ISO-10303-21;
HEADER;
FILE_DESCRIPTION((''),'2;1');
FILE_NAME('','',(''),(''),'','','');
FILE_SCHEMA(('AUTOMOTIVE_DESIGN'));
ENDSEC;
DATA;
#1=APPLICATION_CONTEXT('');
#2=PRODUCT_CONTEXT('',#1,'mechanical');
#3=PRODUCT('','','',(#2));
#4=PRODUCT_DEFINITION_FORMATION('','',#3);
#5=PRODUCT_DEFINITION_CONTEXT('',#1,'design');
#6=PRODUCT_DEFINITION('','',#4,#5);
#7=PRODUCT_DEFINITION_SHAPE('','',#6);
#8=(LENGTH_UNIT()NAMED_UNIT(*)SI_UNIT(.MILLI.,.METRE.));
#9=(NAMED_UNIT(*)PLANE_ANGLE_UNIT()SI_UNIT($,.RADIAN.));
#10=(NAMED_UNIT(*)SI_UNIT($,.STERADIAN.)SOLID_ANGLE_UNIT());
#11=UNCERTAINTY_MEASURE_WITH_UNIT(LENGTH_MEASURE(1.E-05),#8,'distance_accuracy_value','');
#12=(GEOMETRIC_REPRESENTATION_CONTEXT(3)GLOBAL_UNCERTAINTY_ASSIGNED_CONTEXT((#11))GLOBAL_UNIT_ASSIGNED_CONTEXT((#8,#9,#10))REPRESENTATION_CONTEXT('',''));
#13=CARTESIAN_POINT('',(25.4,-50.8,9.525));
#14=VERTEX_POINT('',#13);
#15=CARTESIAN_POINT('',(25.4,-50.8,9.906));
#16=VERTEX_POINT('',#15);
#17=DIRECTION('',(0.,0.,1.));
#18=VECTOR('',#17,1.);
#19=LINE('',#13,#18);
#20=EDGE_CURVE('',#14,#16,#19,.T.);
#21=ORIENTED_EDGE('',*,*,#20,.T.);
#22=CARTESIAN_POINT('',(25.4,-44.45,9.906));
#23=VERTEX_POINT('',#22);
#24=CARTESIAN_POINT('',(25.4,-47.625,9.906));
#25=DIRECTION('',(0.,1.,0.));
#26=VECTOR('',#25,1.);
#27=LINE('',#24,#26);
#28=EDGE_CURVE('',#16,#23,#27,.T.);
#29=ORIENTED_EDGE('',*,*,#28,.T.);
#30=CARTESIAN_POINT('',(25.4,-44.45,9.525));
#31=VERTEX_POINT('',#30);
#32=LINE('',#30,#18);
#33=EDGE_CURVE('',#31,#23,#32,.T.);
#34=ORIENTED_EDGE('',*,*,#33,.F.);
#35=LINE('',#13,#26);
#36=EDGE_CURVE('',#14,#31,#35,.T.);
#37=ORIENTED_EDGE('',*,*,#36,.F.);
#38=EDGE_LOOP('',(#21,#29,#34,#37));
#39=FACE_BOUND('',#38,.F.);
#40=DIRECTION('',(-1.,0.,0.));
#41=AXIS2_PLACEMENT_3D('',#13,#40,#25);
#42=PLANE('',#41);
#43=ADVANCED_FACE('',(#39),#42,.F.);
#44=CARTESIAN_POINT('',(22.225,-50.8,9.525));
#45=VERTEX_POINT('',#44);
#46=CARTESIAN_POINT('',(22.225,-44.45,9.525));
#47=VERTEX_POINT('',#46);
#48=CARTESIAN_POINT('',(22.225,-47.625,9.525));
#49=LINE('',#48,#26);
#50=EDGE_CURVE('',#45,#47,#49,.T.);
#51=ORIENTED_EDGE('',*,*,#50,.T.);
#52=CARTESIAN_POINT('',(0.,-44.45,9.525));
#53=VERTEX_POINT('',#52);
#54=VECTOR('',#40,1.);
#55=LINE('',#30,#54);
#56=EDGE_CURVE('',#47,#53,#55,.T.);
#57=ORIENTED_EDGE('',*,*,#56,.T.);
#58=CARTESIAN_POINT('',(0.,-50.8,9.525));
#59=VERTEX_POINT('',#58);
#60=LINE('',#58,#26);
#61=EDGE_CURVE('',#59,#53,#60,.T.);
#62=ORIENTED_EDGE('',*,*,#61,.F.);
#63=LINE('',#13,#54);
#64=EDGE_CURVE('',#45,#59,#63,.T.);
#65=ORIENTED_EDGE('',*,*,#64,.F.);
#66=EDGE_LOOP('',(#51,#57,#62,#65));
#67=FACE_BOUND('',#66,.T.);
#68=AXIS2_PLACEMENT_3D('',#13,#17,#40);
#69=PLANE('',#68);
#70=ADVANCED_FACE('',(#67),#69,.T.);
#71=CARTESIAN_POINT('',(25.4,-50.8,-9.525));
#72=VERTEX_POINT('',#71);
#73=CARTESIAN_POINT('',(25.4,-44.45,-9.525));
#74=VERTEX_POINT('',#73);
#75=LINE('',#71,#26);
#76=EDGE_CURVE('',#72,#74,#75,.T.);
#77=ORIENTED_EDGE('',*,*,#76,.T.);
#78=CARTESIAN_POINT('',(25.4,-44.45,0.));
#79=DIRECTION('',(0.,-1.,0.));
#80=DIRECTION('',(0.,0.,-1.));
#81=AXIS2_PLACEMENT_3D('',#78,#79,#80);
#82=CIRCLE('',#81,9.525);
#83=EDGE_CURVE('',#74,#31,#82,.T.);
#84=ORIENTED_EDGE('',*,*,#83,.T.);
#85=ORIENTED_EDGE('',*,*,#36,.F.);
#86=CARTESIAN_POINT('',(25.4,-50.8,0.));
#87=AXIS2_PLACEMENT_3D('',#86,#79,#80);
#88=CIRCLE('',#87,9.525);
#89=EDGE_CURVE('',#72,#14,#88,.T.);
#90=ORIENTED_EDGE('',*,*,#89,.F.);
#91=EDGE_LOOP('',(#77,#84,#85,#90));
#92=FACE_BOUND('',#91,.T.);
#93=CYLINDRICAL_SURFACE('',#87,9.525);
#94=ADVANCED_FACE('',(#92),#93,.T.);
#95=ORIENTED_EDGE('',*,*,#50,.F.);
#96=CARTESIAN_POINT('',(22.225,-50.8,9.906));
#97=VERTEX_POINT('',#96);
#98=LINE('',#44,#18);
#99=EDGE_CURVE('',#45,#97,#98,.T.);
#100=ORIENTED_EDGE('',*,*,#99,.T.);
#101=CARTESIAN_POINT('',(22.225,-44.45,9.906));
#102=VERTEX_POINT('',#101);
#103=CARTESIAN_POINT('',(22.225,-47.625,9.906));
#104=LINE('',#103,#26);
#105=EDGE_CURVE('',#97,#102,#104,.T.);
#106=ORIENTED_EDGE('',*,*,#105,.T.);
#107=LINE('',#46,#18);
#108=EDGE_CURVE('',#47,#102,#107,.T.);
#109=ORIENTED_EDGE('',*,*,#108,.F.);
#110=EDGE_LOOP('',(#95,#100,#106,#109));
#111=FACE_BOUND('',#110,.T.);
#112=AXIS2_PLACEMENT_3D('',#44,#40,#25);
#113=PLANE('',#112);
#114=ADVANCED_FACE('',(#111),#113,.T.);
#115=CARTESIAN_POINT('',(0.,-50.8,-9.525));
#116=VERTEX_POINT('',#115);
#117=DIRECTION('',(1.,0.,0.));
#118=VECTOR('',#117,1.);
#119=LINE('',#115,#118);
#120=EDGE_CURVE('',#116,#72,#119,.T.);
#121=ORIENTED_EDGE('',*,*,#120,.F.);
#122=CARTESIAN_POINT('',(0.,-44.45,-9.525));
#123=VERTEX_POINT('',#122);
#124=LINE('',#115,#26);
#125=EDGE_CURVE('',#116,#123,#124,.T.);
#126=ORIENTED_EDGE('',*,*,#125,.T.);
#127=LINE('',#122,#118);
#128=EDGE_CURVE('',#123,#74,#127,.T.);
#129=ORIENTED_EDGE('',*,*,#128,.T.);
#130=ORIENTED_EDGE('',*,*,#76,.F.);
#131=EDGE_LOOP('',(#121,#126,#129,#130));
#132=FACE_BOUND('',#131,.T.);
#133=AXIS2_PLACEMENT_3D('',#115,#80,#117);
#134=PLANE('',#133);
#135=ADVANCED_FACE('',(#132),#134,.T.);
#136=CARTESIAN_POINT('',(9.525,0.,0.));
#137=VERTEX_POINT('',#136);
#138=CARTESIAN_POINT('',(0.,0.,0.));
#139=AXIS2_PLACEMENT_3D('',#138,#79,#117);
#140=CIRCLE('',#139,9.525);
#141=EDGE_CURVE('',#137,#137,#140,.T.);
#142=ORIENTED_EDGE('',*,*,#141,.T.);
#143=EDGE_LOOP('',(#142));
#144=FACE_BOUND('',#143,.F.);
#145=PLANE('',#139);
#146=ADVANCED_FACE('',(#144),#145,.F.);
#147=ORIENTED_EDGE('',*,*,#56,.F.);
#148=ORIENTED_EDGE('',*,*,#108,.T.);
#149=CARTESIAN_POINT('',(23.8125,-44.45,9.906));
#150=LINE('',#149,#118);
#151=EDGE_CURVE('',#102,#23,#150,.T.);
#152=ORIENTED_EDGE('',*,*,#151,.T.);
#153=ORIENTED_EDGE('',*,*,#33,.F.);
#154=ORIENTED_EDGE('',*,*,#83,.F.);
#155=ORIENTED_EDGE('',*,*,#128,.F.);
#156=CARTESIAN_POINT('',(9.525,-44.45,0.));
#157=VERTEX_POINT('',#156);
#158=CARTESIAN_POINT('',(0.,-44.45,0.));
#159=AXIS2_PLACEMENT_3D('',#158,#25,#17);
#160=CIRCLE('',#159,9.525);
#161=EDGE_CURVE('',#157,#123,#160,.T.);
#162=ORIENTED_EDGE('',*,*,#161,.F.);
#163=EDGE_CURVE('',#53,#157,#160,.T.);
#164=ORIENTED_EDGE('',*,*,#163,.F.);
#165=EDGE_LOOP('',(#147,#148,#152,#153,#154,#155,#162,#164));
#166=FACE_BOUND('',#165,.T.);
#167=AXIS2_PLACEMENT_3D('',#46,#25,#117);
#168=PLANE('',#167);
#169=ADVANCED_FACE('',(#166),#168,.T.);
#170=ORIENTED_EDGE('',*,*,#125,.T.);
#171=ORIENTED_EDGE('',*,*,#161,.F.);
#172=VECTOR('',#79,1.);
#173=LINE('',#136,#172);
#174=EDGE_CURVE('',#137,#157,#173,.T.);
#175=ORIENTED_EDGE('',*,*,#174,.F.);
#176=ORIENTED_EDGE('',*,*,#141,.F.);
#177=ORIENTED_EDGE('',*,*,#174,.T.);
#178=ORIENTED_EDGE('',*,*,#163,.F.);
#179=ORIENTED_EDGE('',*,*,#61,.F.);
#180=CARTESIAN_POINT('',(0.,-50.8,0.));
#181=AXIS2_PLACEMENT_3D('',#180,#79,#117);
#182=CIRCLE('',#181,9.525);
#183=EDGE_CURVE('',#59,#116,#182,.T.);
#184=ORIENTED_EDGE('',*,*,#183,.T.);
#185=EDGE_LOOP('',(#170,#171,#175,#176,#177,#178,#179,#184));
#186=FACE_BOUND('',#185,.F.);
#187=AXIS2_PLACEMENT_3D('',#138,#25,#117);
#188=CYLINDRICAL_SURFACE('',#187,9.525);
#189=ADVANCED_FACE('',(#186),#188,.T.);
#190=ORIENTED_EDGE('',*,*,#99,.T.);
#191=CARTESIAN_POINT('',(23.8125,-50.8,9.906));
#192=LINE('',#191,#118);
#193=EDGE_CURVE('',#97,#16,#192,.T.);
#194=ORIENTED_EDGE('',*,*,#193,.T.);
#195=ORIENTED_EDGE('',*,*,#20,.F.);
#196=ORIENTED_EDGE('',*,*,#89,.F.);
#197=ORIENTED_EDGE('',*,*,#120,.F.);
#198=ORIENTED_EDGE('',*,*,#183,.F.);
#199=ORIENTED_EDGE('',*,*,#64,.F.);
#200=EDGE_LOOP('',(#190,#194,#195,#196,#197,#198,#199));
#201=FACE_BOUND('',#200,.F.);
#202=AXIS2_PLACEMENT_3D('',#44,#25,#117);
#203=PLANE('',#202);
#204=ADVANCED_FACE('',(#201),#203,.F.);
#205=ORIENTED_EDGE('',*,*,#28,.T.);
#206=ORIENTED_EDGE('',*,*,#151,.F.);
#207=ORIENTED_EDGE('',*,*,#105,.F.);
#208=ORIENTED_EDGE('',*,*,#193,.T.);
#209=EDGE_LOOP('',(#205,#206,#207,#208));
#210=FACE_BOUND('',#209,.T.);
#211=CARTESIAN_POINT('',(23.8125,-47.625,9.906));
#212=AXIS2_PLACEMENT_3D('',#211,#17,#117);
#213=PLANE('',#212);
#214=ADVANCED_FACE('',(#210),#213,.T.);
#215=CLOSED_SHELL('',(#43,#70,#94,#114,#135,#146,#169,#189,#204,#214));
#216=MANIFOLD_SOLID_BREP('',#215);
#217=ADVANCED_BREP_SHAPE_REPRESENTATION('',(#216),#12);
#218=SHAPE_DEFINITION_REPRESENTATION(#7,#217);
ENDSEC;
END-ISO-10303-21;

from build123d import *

# Parameters (mm, degrees)
F0_R     = 9.525
F1_DEPTH = 50.8
F3_DEPTH = 6.35
F4_W     = 3.175
F4_H     = 6.35
F5_DEPTH = 0.381


with BuildPart() as f1:
    # F0 (on Front) → F1 (new body)
    with BuildSketch(Plane.XZ):
        Circle(F0_R)
    extrude(amount=F1_DEPTH)

    # F2 (on face) → F3 (join)
    with BuildSketch(Plane.XZ.offset(50.8)):
        with BuildLine():
            Line((0, -9.525), (25.4, -9.525))
            ThreePointArc((25.4, -9.525), (34.925, 0), (25.4, 9.525))
            Line((25.4, 9.525), (0, 9.525))
            ThreePointArc((0, 9.525), (9.525, 0), (0, -9.525))
        make_face()
    extrude(amount=-F3_DEPTH)

    # F4 (on face) → F5 (join)
    with BuildSketch(Plane.XY.offset(9.525)):
        with Locations((23.8125, -47.625)):
            Rectangle(F4_W, F4_H)
    extrude(amount=F5_DEPTH)


solid = f1.part
